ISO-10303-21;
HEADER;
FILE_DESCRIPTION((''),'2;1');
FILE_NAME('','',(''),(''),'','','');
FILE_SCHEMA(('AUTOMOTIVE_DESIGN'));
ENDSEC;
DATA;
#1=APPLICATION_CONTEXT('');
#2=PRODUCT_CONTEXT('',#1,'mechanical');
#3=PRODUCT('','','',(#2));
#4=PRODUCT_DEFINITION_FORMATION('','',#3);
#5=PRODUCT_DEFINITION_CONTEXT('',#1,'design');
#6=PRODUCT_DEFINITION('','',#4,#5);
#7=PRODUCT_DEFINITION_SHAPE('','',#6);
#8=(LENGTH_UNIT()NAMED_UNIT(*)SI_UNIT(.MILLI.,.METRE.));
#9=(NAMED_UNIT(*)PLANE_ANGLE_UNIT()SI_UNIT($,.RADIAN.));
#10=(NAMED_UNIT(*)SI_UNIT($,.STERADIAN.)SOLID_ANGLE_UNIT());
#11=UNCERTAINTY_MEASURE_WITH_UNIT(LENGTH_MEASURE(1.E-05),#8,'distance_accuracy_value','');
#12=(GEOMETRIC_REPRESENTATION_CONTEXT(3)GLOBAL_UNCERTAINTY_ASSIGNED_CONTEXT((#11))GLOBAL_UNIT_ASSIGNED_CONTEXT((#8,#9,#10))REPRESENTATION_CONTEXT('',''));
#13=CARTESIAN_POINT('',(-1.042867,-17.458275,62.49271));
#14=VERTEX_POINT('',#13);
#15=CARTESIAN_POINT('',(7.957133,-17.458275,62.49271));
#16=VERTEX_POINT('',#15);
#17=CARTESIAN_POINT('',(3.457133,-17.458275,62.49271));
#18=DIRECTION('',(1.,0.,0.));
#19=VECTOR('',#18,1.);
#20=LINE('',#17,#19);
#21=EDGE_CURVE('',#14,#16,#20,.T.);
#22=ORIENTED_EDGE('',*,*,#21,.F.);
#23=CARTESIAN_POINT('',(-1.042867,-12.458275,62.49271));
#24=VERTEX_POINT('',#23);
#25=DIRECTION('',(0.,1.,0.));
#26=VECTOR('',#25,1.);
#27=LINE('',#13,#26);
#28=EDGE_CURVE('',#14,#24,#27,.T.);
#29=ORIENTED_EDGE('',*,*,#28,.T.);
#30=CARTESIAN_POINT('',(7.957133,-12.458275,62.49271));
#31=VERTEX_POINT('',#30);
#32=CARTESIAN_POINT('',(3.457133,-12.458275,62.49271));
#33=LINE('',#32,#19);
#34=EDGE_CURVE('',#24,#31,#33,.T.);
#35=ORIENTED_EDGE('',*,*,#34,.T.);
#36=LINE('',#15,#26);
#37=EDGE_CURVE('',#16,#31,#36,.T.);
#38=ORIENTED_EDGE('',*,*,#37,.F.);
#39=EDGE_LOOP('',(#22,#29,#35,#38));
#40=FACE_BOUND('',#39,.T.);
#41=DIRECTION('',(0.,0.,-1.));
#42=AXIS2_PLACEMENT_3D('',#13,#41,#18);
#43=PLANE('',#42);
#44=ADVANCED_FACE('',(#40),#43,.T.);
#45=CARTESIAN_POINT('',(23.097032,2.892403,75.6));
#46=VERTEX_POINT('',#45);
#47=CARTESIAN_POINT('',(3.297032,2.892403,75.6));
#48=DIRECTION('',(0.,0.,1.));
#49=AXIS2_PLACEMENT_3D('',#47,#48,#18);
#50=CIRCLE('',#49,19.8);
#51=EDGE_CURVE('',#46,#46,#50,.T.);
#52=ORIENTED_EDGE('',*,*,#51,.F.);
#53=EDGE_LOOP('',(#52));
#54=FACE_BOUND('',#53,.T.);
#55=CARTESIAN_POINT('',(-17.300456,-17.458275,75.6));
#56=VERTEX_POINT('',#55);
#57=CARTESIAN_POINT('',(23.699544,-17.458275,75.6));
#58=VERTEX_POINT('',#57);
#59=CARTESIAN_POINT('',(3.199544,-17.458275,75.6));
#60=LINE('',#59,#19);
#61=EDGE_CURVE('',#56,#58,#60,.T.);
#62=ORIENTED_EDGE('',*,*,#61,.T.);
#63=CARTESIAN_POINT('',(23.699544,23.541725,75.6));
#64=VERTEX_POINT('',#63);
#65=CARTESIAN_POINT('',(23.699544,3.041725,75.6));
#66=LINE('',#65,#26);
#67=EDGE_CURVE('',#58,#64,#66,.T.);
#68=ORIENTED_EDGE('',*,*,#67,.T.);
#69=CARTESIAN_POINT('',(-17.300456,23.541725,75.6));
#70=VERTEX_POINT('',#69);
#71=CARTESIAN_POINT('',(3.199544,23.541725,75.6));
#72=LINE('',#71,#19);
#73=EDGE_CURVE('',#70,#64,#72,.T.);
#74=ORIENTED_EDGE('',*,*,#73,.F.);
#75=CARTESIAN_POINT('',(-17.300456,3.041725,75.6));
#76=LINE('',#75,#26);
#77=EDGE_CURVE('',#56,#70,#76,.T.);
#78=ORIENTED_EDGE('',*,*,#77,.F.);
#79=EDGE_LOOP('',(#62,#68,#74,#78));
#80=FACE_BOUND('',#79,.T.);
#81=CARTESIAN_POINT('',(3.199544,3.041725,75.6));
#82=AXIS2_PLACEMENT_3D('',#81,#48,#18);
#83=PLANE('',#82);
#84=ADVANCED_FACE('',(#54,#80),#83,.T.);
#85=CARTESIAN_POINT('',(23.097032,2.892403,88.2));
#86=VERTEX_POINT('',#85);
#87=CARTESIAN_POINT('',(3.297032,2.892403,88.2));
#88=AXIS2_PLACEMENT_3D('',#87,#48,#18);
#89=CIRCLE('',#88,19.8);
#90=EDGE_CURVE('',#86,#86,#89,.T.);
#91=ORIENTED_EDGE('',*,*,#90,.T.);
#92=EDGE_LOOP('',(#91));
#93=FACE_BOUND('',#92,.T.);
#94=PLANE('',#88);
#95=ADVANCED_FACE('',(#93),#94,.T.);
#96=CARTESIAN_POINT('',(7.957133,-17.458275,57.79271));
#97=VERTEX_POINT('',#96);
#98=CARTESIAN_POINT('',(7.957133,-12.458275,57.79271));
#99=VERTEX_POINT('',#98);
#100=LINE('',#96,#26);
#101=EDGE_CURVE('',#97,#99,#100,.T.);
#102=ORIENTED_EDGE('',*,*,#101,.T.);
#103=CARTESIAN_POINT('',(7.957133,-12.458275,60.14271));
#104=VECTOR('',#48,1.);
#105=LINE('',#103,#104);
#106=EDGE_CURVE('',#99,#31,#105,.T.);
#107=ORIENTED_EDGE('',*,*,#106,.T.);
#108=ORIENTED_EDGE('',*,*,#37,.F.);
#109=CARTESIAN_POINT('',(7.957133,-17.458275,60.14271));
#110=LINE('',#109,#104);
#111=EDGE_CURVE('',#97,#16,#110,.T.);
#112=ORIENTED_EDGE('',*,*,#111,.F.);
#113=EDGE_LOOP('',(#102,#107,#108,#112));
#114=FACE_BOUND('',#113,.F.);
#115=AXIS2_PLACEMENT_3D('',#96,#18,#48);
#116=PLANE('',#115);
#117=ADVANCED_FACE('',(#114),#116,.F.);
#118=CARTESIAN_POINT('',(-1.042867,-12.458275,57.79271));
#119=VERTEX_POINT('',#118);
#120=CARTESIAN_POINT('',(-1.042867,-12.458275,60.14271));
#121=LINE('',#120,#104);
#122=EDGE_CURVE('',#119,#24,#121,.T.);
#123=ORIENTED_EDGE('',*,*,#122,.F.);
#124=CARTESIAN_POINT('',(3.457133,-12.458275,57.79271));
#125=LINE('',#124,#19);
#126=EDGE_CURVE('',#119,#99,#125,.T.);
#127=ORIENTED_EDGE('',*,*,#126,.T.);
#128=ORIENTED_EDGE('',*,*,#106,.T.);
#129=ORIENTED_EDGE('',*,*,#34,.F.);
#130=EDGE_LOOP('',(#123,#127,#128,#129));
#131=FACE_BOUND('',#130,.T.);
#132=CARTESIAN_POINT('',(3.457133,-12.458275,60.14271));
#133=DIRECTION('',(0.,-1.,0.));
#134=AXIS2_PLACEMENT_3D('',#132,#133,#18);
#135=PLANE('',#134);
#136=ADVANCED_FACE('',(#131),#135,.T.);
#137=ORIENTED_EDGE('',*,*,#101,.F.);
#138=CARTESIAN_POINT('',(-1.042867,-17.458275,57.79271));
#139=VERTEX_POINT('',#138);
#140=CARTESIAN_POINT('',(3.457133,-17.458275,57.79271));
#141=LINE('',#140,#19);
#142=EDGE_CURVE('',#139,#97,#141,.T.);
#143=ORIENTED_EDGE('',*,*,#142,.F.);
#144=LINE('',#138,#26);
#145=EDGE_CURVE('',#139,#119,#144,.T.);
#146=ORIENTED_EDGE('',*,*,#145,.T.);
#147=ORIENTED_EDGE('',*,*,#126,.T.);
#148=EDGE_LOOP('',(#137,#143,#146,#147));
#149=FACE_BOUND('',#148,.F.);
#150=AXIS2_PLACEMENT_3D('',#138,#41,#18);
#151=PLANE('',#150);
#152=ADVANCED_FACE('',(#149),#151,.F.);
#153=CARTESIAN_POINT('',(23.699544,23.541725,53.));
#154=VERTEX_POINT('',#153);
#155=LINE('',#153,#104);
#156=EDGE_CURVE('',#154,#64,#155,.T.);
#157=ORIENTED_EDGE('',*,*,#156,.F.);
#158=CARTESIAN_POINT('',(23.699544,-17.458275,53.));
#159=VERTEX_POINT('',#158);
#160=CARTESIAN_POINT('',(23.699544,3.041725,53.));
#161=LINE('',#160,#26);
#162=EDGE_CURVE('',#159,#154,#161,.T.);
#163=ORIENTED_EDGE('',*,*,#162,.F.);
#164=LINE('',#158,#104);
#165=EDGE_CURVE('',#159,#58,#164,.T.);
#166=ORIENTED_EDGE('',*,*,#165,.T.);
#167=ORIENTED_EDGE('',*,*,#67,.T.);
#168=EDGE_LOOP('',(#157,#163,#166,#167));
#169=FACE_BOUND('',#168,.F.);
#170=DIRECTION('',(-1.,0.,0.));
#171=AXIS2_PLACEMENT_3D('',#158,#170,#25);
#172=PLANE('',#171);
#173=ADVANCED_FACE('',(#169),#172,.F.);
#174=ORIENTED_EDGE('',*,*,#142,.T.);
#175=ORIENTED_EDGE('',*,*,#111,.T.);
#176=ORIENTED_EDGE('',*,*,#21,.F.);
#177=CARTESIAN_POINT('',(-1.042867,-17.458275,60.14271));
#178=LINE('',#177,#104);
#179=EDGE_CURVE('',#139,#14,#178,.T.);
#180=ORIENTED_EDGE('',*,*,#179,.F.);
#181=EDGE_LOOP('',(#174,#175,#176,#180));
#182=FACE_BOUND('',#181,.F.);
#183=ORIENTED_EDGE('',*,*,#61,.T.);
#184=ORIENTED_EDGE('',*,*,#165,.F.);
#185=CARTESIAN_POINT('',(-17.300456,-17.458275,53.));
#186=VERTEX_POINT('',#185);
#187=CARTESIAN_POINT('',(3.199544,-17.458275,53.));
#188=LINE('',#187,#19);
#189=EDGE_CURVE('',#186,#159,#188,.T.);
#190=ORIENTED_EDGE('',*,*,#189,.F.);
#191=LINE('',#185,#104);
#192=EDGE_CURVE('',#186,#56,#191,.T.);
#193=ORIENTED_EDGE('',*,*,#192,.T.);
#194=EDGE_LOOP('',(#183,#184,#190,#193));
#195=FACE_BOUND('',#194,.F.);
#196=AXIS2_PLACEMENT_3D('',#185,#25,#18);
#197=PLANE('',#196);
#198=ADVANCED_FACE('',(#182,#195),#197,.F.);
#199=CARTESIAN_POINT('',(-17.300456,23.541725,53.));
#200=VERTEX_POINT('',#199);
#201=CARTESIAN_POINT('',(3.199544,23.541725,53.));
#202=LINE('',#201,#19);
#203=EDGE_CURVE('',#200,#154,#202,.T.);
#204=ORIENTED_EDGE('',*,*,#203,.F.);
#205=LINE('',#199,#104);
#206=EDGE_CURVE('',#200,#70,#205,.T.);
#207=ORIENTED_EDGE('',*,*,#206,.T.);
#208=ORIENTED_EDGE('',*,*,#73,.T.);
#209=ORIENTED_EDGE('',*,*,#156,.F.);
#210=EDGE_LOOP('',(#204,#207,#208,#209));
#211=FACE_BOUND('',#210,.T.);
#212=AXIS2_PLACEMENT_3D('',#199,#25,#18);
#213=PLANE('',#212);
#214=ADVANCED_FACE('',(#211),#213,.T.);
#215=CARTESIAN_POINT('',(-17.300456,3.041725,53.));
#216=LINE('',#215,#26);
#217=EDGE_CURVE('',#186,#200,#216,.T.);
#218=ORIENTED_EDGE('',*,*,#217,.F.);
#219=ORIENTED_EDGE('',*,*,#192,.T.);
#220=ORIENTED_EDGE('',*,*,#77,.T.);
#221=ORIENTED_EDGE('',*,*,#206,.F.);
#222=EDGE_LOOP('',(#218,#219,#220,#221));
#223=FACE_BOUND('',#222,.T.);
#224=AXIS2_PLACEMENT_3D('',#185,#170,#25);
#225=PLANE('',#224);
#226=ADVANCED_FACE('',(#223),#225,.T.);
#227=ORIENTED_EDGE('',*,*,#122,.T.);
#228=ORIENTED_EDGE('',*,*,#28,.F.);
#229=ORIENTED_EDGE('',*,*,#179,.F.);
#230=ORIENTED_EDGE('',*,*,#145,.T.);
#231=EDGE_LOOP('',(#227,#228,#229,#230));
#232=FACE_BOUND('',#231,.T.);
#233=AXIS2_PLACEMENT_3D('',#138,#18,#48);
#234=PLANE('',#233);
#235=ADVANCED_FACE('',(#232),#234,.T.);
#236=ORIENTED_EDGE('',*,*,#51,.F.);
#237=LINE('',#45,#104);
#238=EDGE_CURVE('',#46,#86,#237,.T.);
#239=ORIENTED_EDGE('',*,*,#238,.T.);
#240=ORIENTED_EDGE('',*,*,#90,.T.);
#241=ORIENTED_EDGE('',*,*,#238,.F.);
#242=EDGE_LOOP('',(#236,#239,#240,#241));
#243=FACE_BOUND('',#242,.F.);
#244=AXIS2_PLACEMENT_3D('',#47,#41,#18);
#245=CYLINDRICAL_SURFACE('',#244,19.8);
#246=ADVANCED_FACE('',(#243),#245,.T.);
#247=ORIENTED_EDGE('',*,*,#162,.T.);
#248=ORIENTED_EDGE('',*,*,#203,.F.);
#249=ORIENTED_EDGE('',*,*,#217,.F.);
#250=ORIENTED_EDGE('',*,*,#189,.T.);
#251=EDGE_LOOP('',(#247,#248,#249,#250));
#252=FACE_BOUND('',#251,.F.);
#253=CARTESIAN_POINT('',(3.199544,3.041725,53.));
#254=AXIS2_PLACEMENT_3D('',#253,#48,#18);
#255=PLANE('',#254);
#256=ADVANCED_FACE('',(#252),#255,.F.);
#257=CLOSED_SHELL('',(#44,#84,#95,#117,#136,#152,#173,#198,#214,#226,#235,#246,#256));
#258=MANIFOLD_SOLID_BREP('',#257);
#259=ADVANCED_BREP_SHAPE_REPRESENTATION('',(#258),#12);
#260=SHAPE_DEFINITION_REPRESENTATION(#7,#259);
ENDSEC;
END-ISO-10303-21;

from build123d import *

# Parameters (mm, degrees)
SKETCH039_W     = 41
SKETCH039_H     = 41
PAD016_DEPTH    = 22.6
SKETCH040_R     = 19.8
PAD017_DEPTH    = 12.6
SKETCH041_W     = 9
SKETCH041_H     = 4.7
POCKET006_DEPTH = 5


with BuildPart() as part:
    # Sketch039 → Pad016 (new body)
    with BuildSketch(Plane.XY):
        with Locations((3.199544, 3.041725)):
            Rectangle(SKETCH039_W, SKETCH039_H)
    extrude(amount=PAD016_DEPTH)

    # Sketch040 (on Face6 of Pad016) → Pad017 (join)
    with BuildSketch(Plane.XY.offset(22.6)):
        with Locations((3.297032, 2.892403)):
            Circle(SKETCH040_R)
    extrude(amount=PAD017_DEPTH)

    # Sketch041 (on Face3 of Pad017) → Pocket006 (cut)
    with BuildSketch(Plane.XZ.offset(17.458275)):
        with Locations((3.457133, 7.14271)):
            Rectangle(SKETCH041_W, SKETCH041_H)
    extrude(amount=-POCKET006_DEPTH, mode=Mode.SUBTRACT)


with BuildPart() as part_1:
    # Body003 placement: moved
    add(part.part.moved(Location((0, 0, 53))))


solid = part_1.part
